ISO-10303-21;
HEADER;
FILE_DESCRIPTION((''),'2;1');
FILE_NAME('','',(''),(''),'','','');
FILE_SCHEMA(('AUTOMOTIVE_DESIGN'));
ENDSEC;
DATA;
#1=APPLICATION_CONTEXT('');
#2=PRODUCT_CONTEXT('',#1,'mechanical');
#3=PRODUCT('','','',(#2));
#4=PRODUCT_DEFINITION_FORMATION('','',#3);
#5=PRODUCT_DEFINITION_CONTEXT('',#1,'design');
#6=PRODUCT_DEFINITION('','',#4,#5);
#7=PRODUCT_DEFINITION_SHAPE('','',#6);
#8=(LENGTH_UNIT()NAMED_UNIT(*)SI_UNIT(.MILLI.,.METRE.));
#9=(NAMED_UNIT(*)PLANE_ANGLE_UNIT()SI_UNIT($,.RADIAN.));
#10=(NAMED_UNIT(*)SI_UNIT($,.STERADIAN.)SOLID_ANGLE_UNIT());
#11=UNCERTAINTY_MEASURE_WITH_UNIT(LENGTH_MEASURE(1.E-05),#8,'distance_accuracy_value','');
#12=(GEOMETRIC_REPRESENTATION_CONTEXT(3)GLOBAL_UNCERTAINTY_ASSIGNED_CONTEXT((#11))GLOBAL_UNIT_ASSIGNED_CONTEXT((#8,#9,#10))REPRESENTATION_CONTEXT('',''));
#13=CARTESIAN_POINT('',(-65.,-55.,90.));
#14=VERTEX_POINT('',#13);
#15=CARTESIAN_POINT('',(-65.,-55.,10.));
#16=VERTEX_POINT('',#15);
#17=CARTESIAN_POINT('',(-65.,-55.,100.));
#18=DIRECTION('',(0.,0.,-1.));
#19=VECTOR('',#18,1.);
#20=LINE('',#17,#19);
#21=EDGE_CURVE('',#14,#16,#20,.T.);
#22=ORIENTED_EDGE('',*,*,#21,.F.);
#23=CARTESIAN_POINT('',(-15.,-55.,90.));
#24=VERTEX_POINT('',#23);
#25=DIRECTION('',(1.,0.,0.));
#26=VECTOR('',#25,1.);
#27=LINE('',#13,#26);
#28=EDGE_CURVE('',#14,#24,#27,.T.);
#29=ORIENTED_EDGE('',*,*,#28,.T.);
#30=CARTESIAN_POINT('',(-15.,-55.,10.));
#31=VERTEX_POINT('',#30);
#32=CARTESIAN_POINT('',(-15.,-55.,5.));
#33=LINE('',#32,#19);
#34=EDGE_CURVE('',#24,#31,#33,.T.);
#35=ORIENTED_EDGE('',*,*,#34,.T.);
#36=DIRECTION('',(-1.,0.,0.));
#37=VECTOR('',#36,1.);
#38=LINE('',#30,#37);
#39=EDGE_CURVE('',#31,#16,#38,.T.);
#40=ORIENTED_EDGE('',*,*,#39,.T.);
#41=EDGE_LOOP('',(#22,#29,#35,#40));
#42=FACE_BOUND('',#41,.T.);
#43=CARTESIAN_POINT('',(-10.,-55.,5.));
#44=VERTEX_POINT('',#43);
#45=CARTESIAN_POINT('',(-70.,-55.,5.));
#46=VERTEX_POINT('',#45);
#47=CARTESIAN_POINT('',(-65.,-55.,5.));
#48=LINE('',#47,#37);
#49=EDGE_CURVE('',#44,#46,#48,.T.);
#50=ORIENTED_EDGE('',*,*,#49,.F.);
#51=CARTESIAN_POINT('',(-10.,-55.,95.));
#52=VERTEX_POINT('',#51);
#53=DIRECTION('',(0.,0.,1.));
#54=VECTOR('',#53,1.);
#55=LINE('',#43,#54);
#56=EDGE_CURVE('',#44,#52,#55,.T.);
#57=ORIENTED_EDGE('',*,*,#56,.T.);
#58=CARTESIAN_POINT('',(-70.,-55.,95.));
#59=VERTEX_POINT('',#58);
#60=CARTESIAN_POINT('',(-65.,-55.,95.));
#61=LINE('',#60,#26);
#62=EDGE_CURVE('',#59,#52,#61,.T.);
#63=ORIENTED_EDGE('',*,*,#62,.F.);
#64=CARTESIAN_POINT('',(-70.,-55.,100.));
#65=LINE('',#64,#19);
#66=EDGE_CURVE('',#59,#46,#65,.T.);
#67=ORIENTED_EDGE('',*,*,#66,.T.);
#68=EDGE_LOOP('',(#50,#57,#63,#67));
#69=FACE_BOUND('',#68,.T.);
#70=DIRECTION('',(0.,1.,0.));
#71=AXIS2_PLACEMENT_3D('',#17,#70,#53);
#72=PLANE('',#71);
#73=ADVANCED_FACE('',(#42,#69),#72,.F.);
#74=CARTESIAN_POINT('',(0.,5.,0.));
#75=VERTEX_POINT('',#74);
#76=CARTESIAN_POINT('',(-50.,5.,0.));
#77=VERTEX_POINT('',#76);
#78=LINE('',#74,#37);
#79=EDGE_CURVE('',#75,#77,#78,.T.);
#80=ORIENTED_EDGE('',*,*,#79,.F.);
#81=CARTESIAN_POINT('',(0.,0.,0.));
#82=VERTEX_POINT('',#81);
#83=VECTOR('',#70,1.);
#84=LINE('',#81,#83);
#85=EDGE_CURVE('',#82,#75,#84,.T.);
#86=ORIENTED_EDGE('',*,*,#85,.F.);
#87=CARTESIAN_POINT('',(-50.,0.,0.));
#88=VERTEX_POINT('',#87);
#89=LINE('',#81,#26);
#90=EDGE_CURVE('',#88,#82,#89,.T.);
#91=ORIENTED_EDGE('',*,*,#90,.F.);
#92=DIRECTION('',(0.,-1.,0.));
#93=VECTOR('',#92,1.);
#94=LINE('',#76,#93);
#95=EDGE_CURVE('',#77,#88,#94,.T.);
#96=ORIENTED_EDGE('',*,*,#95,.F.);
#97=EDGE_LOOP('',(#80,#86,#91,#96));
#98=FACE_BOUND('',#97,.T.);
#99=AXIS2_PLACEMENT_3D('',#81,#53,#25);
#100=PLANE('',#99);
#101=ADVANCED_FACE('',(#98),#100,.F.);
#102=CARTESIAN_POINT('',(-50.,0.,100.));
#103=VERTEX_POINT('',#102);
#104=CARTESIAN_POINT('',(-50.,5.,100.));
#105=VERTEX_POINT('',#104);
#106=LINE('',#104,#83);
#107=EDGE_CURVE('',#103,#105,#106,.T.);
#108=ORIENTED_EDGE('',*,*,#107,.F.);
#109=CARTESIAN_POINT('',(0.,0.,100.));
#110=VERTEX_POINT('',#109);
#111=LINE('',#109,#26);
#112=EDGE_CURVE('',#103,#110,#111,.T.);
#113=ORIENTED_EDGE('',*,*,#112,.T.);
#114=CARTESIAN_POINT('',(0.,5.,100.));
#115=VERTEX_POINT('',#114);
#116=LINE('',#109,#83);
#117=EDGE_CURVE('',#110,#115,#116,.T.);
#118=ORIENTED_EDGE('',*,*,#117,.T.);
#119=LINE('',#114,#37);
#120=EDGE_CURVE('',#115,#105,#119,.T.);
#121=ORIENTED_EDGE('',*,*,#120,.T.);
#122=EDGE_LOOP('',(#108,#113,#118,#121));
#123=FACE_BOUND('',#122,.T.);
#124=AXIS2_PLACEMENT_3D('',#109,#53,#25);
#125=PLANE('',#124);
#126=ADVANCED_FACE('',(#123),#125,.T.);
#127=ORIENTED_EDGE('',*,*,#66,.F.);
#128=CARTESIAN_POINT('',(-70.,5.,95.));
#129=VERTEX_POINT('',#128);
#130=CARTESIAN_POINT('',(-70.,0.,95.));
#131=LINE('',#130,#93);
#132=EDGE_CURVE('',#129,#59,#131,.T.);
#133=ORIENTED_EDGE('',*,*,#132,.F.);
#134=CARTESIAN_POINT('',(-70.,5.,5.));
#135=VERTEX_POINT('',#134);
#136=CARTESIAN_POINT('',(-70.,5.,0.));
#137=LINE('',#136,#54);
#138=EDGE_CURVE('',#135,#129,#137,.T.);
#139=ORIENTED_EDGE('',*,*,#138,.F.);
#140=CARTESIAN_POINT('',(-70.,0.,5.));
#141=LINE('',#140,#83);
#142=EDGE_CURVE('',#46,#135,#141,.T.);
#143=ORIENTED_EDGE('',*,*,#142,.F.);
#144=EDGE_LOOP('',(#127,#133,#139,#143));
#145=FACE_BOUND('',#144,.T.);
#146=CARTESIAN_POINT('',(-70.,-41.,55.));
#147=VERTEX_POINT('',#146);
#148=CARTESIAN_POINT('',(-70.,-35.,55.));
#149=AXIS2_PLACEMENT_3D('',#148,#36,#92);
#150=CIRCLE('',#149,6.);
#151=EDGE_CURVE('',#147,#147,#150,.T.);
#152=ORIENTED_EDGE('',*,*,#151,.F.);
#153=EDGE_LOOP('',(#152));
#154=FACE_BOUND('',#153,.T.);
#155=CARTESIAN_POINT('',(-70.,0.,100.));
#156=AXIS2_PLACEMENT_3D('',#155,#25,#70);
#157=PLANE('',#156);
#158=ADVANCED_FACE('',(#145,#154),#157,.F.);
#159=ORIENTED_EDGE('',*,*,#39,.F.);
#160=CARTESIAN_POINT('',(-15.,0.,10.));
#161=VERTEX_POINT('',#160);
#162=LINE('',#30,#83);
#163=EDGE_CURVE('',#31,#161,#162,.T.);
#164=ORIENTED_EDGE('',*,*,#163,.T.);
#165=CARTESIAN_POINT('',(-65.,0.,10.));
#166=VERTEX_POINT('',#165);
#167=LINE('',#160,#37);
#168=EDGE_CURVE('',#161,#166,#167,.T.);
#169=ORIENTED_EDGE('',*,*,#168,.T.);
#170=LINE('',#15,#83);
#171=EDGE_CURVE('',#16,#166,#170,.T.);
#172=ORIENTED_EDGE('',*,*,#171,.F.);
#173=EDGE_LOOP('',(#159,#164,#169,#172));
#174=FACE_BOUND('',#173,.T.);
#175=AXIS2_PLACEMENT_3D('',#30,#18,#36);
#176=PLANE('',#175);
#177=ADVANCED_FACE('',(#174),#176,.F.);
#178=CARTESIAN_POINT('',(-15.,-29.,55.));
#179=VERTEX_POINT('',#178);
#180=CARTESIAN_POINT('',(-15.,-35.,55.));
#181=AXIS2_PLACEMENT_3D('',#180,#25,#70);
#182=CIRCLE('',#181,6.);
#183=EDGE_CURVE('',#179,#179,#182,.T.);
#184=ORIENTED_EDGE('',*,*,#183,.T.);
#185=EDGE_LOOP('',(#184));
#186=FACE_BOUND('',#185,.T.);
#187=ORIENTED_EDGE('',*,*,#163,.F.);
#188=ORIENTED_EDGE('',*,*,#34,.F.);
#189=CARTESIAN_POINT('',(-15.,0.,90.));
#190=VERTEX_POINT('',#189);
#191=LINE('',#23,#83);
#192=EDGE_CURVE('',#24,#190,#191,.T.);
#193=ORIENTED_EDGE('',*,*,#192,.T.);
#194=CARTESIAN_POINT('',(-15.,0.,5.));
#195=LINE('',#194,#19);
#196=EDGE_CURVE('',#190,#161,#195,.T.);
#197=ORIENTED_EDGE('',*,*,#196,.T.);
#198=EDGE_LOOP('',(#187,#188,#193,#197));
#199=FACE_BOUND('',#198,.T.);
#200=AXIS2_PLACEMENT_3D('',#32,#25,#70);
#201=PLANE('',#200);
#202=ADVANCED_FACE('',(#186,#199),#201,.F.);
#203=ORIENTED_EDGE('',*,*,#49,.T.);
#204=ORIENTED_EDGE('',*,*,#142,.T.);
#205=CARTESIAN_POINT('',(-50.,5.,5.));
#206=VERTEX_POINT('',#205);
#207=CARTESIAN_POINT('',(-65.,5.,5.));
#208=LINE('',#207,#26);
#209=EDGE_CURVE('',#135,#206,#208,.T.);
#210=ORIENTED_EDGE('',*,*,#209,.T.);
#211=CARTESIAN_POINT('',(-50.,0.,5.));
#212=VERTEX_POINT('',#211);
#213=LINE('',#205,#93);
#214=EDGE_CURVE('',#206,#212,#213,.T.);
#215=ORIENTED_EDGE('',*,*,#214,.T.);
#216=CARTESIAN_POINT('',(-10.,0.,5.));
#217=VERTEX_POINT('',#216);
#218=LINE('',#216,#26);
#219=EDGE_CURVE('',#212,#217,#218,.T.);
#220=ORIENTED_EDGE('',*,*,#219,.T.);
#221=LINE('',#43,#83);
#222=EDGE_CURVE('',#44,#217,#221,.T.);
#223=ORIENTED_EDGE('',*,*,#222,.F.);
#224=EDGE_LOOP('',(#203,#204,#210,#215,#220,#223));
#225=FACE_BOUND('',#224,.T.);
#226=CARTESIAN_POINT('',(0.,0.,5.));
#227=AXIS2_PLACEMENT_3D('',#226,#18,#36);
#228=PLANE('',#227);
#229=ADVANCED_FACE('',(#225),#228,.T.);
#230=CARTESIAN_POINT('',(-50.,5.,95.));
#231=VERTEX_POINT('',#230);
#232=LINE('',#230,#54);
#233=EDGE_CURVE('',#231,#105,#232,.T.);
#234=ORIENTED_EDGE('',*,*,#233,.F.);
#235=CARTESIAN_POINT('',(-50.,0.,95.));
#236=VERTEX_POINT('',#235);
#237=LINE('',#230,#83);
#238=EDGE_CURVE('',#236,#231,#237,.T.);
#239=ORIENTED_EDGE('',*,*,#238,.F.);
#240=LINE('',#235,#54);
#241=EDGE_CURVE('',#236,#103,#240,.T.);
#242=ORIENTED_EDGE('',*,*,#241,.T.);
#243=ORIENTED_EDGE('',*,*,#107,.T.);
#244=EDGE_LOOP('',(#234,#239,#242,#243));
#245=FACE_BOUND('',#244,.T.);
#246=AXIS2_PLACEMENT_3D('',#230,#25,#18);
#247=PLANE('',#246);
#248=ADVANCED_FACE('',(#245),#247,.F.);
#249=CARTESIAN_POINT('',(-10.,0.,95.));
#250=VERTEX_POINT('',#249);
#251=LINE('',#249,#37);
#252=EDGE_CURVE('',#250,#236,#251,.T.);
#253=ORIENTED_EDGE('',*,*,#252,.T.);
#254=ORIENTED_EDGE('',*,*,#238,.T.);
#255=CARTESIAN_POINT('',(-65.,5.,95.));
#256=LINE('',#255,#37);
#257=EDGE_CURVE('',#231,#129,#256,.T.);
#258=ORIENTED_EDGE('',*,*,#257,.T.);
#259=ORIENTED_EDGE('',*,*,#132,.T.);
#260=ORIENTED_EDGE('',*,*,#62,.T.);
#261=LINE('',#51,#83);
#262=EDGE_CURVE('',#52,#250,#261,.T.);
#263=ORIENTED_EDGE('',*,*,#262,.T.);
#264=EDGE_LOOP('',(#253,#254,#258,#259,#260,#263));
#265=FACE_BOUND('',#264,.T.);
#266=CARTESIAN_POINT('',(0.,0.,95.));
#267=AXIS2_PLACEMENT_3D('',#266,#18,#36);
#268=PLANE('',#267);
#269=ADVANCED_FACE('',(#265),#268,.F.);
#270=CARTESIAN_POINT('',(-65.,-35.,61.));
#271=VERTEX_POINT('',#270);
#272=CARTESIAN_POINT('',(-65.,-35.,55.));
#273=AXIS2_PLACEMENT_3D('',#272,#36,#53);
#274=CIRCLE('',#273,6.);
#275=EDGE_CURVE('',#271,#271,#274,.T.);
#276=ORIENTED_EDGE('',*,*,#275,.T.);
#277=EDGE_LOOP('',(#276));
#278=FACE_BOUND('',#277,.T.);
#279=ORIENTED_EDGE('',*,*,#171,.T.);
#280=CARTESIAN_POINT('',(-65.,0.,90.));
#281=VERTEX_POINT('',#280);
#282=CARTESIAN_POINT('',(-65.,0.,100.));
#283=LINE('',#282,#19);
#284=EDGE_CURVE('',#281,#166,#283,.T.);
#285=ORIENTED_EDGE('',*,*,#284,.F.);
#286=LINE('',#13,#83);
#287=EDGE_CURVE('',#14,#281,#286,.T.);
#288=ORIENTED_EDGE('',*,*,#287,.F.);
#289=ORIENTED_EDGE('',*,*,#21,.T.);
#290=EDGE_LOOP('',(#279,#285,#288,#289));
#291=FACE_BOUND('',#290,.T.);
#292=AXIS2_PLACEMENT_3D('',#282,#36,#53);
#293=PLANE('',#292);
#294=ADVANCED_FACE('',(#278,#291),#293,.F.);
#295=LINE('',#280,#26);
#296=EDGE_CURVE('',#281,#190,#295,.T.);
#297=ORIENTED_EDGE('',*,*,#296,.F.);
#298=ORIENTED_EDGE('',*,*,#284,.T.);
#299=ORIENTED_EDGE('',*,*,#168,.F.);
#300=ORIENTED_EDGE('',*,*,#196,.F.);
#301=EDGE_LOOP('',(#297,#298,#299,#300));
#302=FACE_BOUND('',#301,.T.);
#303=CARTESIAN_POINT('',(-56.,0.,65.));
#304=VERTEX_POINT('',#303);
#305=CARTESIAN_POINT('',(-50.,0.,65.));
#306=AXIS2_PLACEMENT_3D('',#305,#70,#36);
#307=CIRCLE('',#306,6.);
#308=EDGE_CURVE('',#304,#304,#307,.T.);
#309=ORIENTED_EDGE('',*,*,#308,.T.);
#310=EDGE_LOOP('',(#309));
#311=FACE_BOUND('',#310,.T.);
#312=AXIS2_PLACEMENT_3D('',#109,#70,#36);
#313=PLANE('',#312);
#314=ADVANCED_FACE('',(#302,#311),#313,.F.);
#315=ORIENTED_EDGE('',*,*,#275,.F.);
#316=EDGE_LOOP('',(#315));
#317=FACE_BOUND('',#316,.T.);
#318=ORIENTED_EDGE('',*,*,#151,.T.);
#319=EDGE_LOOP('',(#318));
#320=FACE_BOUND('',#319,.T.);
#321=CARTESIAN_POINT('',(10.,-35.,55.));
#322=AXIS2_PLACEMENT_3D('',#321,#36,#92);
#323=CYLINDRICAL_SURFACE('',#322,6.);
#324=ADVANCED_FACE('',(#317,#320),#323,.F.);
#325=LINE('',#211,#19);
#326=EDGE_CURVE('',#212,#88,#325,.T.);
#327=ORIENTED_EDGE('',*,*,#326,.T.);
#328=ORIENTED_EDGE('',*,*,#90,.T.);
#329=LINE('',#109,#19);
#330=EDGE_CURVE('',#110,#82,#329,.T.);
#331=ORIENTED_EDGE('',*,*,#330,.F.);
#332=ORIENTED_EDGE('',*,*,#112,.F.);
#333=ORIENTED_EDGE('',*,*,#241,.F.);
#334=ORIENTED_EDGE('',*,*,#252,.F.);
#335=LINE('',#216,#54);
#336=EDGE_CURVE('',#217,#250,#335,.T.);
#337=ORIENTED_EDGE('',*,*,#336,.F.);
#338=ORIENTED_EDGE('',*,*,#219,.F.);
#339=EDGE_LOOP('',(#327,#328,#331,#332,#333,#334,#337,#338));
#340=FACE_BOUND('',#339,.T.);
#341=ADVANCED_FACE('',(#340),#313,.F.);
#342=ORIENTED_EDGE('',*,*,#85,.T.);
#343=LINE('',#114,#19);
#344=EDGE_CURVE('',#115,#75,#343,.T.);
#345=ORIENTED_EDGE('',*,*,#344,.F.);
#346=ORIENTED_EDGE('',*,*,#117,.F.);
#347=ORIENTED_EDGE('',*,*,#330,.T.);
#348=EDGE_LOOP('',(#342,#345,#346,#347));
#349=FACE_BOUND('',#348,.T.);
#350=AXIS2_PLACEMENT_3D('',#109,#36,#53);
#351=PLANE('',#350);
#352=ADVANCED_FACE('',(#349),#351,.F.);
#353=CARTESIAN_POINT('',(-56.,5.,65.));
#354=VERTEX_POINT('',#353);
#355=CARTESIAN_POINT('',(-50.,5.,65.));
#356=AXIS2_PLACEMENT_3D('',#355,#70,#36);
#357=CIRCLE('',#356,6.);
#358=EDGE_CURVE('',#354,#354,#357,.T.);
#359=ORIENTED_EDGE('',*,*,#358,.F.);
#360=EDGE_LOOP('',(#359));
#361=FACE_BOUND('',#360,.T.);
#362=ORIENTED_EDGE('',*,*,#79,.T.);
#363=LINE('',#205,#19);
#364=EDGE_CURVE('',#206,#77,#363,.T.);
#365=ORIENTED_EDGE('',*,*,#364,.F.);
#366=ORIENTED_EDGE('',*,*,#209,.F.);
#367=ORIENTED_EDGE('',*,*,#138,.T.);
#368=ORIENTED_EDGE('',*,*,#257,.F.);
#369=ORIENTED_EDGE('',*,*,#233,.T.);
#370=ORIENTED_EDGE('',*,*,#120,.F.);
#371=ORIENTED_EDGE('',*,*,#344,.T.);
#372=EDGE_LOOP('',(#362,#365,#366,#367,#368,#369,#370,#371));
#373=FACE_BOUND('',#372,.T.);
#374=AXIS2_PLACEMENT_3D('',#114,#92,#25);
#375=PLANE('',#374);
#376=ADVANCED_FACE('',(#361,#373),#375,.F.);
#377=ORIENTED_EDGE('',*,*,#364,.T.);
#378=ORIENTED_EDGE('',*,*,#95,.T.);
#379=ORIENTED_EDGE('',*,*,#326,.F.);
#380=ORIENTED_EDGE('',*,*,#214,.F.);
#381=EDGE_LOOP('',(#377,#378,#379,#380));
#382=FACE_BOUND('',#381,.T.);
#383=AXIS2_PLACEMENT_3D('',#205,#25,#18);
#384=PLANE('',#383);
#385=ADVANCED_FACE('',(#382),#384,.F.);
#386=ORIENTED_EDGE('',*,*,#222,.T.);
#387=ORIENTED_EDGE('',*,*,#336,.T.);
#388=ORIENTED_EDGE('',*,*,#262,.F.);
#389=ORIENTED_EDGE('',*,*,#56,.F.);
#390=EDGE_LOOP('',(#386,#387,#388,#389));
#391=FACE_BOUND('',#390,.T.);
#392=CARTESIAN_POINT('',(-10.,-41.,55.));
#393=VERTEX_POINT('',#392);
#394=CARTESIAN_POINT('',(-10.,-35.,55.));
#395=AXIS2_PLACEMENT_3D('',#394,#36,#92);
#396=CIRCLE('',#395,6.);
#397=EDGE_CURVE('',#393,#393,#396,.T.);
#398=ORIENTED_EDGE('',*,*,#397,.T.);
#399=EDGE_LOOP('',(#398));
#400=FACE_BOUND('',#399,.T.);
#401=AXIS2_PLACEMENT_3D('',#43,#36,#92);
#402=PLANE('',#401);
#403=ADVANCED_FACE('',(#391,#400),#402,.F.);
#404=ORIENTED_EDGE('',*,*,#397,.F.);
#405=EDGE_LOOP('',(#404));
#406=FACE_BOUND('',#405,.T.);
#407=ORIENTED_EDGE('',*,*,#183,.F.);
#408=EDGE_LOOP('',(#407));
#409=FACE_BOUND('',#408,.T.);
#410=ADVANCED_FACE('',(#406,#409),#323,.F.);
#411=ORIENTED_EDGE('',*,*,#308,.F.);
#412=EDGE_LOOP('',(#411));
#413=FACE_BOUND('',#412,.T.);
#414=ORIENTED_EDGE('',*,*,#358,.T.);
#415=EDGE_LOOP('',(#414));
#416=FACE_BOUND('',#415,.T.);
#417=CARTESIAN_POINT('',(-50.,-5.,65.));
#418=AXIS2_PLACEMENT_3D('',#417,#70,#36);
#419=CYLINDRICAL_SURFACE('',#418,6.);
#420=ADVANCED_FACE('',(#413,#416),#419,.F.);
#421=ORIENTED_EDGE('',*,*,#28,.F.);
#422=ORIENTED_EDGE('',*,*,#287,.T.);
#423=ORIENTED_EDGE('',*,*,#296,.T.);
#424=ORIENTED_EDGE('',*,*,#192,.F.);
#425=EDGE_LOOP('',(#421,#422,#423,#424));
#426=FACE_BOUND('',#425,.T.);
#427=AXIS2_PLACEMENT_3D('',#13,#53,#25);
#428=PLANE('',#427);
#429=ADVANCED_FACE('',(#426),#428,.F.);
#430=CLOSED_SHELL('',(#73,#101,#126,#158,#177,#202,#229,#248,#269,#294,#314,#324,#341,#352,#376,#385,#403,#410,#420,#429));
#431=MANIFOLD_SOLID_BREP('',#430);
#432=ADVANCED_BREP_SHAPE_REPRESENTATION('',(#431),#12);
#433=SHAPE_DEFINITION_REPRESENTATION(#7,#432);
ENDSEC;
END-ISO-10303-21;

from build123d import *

# Parameters (mm, degrees)
BOSS_EXTRUDE1_DEPTH = 100
SKETCH2_W           = 5
SKETCH2_H           = 55
CUT_EXTRUDE2_DEPTH  = 5
SKETCH3_W           = 5
SKETCH3_H           = 55
CUT_EXTRUDE3_DEPTH  = 5
SKETCH4_W           = 15
SKETCH4_H           = 5
CUT_EXTRUDE4_DEPTH  = 5
SKETCH5_W           = 15
SKETCH5_H           = 5
CUT_EXTRUDE5_DEPTH  = 5
SKETCH6_R           = 6
CUT_EXTRUDE6_DEPTH  = 10
SKETCH7_W           = 5
SKETCH7_H           = 90
BOSS_EXTRUDE2_DEPTH = 55
SKETCH8_R           = 6
CUT_EXTRUDE7_DEPTH  = 80
SKETCH9_W           = 5
SKETCH9_H           = 25
CUT_EXTRUDE8_DEPTH  = 100
SKETCH10_W          = 5
SKETCH10_H          = 5
CUT_EXTRUDE9_DEPTH  = 5
SKETCH11_W          = 5
SKETCH11_H          = 5
CUT_EXTRUDE10_DEPTH = 5
SKETCH12_W          = 50
SKETCH12_H          = 5
BOSS_EXTRUDE3_DEPTH = 55


with BuildPart() as part:
    # Sketch1 → Boss-Extrude1 (new body)
    with BuildSketch(Plane.XY):
        Polygon((0, 0), (-65, 0), (-65, -55), (-70, -55), (-70, 0), (-70, 30), (-65, 30), (-65, 5), (0, 5), align=None)
    extrude(amount=BOSS_EXTRUDE1_DEPTH)

    # Sketch2 → Cut-Extrude2 (cut)
    with BuildSketch(Plane.XY.offset(100)):
        with Locations((-67.5, -27.5)):
            Rectangle(SKETCH2_W, SKETCH2_H)
    extrude(amount=-CUT_EXTRUDE2_DEPTH, mode=Mode.SUBTRACT)

    # Sketch3 → Cut-Extrude3 (cut)
    with BuildSketch(Plane(origin=(0, 0, 0), x_dir=(-1, 0, 0), z_dir=(0, 0, -1))):
        with Locations((67.5, -27.5)):
            Rectangle(SKETCH3_W, SKETCH3_H)
    extrude(amount=-CUT_EXTRUDE3_DEPTH, mode=Mode.SUBTRACT)

    # Sketch4 → Cut-Extrude4 (cut)
    with BuildSketch(Plane.XY.offset(100)):
        with Locations((-57.5, 2.5)):
            Rectangle(SKETCH4_W, SKETCH4_H)
    extrude(amount=-CUT_EXTRUDE4_DEPTH, mode=Mode.SUBTRACT)

    # Sketch5 → Cut-Extrude5 (cut)
    with BuildSketch(Plane(origin=(0, 0, 0), x_dir=(-1, 0, 0), z_dir=(0, 0, -1))):
        with Locations((57.5, 2.5)):
            Rectangle(SKETCH5_W, SKETCH5_H)
    extrude(amount=-CUT_EXTRUDE5_DEPTH, mode=Mode.SUBTRACT)

    # Sketch6 → Cut-Extrude6 (cut)
    with BuildSketch(Plane(origin=(0, 5, 0), x_dir=(1, 0, 0), z_dir=(0, 1, 0))):
        with Locations(Location((-50, -65, 0), (0, 0, 180))):
            Circle(SKETCH6_R)
    extrude(amount=-CUT_EXTRUDE6_DEPTH, mode=Mode.SUBTRACT)

    # Sketch7 → Boss-Extrude2 (add)
    with BuildSketch(Plane.XZ):
        with Locations((-12.5, 50)):
            Rectangle(SKETCH7_W, SKETCH7_H)
    extrude(amount=BOSS_EXTRUDE2_DEPTH)

    # Sketch8 → Cut-Extrude7 (cut)
    with BuildSketch(Plane.ZY.offset(70)):
        with Locations(Location((55, -35, 0), (0, 0, 270))):
            Circle(SKETCH8_R)
    extrude(amount=-CUT_EXTRUDE7_DEPTH, mode=Mode.SUBTRACT)

    # Sketch9 → Cut-Extrude8 (cut)
    with BuildSketch(Plane.XY.offset(100)):
        with Locations((-67.5, 17.5)):
            Rectangle(SKETCH9_W, SKETCH9_H)
    extrude(amount=-CUT_EXTRUDE8_DEPTH, mode=Mode.SUBTRACT)

    # Sketch10 → Cut-Extrude9 (cut)
    with BuildSketch(Plane.XY.offset(100)):
        with Locations((-67.5, 2.5)):
            Rectangle(SKETCH10_W, SKETCH10_H)
    extrude(amount=-CUT_EXTRUDE9_DEPTH, mode=Mode.SUBTRACT)

    # Sketch11 → Cut-Extrude10 (cut)
    with BuildSketch(Plane(origin=(0, 0, 0), x_dir=(-1, 0, 0), z_dir=(0, 0, -1))):
        with Locations((67.5, 2.5)):
            Rectangle(SKETCH11_W, SKETCH11_H)
    extrude(amount=-CUT_EXTRUDE10_DEPTH, mode=Mode.SUBTRACT)

    # Sketch12 → Boss-Extrude3 (add)
    with BuildSketch(Plane.XZ):
        with Locations((-40, 7.5)):
            Rectangle(SKETCH12_W, SKETCH12_H)
        with Locations((-40, 92.5)):
            Rectangle(SKETCH12_W, SKETCH12_H)
    extrude(amount=BOSS_EXTRUDE3_DEPTH)


solid = part.part
